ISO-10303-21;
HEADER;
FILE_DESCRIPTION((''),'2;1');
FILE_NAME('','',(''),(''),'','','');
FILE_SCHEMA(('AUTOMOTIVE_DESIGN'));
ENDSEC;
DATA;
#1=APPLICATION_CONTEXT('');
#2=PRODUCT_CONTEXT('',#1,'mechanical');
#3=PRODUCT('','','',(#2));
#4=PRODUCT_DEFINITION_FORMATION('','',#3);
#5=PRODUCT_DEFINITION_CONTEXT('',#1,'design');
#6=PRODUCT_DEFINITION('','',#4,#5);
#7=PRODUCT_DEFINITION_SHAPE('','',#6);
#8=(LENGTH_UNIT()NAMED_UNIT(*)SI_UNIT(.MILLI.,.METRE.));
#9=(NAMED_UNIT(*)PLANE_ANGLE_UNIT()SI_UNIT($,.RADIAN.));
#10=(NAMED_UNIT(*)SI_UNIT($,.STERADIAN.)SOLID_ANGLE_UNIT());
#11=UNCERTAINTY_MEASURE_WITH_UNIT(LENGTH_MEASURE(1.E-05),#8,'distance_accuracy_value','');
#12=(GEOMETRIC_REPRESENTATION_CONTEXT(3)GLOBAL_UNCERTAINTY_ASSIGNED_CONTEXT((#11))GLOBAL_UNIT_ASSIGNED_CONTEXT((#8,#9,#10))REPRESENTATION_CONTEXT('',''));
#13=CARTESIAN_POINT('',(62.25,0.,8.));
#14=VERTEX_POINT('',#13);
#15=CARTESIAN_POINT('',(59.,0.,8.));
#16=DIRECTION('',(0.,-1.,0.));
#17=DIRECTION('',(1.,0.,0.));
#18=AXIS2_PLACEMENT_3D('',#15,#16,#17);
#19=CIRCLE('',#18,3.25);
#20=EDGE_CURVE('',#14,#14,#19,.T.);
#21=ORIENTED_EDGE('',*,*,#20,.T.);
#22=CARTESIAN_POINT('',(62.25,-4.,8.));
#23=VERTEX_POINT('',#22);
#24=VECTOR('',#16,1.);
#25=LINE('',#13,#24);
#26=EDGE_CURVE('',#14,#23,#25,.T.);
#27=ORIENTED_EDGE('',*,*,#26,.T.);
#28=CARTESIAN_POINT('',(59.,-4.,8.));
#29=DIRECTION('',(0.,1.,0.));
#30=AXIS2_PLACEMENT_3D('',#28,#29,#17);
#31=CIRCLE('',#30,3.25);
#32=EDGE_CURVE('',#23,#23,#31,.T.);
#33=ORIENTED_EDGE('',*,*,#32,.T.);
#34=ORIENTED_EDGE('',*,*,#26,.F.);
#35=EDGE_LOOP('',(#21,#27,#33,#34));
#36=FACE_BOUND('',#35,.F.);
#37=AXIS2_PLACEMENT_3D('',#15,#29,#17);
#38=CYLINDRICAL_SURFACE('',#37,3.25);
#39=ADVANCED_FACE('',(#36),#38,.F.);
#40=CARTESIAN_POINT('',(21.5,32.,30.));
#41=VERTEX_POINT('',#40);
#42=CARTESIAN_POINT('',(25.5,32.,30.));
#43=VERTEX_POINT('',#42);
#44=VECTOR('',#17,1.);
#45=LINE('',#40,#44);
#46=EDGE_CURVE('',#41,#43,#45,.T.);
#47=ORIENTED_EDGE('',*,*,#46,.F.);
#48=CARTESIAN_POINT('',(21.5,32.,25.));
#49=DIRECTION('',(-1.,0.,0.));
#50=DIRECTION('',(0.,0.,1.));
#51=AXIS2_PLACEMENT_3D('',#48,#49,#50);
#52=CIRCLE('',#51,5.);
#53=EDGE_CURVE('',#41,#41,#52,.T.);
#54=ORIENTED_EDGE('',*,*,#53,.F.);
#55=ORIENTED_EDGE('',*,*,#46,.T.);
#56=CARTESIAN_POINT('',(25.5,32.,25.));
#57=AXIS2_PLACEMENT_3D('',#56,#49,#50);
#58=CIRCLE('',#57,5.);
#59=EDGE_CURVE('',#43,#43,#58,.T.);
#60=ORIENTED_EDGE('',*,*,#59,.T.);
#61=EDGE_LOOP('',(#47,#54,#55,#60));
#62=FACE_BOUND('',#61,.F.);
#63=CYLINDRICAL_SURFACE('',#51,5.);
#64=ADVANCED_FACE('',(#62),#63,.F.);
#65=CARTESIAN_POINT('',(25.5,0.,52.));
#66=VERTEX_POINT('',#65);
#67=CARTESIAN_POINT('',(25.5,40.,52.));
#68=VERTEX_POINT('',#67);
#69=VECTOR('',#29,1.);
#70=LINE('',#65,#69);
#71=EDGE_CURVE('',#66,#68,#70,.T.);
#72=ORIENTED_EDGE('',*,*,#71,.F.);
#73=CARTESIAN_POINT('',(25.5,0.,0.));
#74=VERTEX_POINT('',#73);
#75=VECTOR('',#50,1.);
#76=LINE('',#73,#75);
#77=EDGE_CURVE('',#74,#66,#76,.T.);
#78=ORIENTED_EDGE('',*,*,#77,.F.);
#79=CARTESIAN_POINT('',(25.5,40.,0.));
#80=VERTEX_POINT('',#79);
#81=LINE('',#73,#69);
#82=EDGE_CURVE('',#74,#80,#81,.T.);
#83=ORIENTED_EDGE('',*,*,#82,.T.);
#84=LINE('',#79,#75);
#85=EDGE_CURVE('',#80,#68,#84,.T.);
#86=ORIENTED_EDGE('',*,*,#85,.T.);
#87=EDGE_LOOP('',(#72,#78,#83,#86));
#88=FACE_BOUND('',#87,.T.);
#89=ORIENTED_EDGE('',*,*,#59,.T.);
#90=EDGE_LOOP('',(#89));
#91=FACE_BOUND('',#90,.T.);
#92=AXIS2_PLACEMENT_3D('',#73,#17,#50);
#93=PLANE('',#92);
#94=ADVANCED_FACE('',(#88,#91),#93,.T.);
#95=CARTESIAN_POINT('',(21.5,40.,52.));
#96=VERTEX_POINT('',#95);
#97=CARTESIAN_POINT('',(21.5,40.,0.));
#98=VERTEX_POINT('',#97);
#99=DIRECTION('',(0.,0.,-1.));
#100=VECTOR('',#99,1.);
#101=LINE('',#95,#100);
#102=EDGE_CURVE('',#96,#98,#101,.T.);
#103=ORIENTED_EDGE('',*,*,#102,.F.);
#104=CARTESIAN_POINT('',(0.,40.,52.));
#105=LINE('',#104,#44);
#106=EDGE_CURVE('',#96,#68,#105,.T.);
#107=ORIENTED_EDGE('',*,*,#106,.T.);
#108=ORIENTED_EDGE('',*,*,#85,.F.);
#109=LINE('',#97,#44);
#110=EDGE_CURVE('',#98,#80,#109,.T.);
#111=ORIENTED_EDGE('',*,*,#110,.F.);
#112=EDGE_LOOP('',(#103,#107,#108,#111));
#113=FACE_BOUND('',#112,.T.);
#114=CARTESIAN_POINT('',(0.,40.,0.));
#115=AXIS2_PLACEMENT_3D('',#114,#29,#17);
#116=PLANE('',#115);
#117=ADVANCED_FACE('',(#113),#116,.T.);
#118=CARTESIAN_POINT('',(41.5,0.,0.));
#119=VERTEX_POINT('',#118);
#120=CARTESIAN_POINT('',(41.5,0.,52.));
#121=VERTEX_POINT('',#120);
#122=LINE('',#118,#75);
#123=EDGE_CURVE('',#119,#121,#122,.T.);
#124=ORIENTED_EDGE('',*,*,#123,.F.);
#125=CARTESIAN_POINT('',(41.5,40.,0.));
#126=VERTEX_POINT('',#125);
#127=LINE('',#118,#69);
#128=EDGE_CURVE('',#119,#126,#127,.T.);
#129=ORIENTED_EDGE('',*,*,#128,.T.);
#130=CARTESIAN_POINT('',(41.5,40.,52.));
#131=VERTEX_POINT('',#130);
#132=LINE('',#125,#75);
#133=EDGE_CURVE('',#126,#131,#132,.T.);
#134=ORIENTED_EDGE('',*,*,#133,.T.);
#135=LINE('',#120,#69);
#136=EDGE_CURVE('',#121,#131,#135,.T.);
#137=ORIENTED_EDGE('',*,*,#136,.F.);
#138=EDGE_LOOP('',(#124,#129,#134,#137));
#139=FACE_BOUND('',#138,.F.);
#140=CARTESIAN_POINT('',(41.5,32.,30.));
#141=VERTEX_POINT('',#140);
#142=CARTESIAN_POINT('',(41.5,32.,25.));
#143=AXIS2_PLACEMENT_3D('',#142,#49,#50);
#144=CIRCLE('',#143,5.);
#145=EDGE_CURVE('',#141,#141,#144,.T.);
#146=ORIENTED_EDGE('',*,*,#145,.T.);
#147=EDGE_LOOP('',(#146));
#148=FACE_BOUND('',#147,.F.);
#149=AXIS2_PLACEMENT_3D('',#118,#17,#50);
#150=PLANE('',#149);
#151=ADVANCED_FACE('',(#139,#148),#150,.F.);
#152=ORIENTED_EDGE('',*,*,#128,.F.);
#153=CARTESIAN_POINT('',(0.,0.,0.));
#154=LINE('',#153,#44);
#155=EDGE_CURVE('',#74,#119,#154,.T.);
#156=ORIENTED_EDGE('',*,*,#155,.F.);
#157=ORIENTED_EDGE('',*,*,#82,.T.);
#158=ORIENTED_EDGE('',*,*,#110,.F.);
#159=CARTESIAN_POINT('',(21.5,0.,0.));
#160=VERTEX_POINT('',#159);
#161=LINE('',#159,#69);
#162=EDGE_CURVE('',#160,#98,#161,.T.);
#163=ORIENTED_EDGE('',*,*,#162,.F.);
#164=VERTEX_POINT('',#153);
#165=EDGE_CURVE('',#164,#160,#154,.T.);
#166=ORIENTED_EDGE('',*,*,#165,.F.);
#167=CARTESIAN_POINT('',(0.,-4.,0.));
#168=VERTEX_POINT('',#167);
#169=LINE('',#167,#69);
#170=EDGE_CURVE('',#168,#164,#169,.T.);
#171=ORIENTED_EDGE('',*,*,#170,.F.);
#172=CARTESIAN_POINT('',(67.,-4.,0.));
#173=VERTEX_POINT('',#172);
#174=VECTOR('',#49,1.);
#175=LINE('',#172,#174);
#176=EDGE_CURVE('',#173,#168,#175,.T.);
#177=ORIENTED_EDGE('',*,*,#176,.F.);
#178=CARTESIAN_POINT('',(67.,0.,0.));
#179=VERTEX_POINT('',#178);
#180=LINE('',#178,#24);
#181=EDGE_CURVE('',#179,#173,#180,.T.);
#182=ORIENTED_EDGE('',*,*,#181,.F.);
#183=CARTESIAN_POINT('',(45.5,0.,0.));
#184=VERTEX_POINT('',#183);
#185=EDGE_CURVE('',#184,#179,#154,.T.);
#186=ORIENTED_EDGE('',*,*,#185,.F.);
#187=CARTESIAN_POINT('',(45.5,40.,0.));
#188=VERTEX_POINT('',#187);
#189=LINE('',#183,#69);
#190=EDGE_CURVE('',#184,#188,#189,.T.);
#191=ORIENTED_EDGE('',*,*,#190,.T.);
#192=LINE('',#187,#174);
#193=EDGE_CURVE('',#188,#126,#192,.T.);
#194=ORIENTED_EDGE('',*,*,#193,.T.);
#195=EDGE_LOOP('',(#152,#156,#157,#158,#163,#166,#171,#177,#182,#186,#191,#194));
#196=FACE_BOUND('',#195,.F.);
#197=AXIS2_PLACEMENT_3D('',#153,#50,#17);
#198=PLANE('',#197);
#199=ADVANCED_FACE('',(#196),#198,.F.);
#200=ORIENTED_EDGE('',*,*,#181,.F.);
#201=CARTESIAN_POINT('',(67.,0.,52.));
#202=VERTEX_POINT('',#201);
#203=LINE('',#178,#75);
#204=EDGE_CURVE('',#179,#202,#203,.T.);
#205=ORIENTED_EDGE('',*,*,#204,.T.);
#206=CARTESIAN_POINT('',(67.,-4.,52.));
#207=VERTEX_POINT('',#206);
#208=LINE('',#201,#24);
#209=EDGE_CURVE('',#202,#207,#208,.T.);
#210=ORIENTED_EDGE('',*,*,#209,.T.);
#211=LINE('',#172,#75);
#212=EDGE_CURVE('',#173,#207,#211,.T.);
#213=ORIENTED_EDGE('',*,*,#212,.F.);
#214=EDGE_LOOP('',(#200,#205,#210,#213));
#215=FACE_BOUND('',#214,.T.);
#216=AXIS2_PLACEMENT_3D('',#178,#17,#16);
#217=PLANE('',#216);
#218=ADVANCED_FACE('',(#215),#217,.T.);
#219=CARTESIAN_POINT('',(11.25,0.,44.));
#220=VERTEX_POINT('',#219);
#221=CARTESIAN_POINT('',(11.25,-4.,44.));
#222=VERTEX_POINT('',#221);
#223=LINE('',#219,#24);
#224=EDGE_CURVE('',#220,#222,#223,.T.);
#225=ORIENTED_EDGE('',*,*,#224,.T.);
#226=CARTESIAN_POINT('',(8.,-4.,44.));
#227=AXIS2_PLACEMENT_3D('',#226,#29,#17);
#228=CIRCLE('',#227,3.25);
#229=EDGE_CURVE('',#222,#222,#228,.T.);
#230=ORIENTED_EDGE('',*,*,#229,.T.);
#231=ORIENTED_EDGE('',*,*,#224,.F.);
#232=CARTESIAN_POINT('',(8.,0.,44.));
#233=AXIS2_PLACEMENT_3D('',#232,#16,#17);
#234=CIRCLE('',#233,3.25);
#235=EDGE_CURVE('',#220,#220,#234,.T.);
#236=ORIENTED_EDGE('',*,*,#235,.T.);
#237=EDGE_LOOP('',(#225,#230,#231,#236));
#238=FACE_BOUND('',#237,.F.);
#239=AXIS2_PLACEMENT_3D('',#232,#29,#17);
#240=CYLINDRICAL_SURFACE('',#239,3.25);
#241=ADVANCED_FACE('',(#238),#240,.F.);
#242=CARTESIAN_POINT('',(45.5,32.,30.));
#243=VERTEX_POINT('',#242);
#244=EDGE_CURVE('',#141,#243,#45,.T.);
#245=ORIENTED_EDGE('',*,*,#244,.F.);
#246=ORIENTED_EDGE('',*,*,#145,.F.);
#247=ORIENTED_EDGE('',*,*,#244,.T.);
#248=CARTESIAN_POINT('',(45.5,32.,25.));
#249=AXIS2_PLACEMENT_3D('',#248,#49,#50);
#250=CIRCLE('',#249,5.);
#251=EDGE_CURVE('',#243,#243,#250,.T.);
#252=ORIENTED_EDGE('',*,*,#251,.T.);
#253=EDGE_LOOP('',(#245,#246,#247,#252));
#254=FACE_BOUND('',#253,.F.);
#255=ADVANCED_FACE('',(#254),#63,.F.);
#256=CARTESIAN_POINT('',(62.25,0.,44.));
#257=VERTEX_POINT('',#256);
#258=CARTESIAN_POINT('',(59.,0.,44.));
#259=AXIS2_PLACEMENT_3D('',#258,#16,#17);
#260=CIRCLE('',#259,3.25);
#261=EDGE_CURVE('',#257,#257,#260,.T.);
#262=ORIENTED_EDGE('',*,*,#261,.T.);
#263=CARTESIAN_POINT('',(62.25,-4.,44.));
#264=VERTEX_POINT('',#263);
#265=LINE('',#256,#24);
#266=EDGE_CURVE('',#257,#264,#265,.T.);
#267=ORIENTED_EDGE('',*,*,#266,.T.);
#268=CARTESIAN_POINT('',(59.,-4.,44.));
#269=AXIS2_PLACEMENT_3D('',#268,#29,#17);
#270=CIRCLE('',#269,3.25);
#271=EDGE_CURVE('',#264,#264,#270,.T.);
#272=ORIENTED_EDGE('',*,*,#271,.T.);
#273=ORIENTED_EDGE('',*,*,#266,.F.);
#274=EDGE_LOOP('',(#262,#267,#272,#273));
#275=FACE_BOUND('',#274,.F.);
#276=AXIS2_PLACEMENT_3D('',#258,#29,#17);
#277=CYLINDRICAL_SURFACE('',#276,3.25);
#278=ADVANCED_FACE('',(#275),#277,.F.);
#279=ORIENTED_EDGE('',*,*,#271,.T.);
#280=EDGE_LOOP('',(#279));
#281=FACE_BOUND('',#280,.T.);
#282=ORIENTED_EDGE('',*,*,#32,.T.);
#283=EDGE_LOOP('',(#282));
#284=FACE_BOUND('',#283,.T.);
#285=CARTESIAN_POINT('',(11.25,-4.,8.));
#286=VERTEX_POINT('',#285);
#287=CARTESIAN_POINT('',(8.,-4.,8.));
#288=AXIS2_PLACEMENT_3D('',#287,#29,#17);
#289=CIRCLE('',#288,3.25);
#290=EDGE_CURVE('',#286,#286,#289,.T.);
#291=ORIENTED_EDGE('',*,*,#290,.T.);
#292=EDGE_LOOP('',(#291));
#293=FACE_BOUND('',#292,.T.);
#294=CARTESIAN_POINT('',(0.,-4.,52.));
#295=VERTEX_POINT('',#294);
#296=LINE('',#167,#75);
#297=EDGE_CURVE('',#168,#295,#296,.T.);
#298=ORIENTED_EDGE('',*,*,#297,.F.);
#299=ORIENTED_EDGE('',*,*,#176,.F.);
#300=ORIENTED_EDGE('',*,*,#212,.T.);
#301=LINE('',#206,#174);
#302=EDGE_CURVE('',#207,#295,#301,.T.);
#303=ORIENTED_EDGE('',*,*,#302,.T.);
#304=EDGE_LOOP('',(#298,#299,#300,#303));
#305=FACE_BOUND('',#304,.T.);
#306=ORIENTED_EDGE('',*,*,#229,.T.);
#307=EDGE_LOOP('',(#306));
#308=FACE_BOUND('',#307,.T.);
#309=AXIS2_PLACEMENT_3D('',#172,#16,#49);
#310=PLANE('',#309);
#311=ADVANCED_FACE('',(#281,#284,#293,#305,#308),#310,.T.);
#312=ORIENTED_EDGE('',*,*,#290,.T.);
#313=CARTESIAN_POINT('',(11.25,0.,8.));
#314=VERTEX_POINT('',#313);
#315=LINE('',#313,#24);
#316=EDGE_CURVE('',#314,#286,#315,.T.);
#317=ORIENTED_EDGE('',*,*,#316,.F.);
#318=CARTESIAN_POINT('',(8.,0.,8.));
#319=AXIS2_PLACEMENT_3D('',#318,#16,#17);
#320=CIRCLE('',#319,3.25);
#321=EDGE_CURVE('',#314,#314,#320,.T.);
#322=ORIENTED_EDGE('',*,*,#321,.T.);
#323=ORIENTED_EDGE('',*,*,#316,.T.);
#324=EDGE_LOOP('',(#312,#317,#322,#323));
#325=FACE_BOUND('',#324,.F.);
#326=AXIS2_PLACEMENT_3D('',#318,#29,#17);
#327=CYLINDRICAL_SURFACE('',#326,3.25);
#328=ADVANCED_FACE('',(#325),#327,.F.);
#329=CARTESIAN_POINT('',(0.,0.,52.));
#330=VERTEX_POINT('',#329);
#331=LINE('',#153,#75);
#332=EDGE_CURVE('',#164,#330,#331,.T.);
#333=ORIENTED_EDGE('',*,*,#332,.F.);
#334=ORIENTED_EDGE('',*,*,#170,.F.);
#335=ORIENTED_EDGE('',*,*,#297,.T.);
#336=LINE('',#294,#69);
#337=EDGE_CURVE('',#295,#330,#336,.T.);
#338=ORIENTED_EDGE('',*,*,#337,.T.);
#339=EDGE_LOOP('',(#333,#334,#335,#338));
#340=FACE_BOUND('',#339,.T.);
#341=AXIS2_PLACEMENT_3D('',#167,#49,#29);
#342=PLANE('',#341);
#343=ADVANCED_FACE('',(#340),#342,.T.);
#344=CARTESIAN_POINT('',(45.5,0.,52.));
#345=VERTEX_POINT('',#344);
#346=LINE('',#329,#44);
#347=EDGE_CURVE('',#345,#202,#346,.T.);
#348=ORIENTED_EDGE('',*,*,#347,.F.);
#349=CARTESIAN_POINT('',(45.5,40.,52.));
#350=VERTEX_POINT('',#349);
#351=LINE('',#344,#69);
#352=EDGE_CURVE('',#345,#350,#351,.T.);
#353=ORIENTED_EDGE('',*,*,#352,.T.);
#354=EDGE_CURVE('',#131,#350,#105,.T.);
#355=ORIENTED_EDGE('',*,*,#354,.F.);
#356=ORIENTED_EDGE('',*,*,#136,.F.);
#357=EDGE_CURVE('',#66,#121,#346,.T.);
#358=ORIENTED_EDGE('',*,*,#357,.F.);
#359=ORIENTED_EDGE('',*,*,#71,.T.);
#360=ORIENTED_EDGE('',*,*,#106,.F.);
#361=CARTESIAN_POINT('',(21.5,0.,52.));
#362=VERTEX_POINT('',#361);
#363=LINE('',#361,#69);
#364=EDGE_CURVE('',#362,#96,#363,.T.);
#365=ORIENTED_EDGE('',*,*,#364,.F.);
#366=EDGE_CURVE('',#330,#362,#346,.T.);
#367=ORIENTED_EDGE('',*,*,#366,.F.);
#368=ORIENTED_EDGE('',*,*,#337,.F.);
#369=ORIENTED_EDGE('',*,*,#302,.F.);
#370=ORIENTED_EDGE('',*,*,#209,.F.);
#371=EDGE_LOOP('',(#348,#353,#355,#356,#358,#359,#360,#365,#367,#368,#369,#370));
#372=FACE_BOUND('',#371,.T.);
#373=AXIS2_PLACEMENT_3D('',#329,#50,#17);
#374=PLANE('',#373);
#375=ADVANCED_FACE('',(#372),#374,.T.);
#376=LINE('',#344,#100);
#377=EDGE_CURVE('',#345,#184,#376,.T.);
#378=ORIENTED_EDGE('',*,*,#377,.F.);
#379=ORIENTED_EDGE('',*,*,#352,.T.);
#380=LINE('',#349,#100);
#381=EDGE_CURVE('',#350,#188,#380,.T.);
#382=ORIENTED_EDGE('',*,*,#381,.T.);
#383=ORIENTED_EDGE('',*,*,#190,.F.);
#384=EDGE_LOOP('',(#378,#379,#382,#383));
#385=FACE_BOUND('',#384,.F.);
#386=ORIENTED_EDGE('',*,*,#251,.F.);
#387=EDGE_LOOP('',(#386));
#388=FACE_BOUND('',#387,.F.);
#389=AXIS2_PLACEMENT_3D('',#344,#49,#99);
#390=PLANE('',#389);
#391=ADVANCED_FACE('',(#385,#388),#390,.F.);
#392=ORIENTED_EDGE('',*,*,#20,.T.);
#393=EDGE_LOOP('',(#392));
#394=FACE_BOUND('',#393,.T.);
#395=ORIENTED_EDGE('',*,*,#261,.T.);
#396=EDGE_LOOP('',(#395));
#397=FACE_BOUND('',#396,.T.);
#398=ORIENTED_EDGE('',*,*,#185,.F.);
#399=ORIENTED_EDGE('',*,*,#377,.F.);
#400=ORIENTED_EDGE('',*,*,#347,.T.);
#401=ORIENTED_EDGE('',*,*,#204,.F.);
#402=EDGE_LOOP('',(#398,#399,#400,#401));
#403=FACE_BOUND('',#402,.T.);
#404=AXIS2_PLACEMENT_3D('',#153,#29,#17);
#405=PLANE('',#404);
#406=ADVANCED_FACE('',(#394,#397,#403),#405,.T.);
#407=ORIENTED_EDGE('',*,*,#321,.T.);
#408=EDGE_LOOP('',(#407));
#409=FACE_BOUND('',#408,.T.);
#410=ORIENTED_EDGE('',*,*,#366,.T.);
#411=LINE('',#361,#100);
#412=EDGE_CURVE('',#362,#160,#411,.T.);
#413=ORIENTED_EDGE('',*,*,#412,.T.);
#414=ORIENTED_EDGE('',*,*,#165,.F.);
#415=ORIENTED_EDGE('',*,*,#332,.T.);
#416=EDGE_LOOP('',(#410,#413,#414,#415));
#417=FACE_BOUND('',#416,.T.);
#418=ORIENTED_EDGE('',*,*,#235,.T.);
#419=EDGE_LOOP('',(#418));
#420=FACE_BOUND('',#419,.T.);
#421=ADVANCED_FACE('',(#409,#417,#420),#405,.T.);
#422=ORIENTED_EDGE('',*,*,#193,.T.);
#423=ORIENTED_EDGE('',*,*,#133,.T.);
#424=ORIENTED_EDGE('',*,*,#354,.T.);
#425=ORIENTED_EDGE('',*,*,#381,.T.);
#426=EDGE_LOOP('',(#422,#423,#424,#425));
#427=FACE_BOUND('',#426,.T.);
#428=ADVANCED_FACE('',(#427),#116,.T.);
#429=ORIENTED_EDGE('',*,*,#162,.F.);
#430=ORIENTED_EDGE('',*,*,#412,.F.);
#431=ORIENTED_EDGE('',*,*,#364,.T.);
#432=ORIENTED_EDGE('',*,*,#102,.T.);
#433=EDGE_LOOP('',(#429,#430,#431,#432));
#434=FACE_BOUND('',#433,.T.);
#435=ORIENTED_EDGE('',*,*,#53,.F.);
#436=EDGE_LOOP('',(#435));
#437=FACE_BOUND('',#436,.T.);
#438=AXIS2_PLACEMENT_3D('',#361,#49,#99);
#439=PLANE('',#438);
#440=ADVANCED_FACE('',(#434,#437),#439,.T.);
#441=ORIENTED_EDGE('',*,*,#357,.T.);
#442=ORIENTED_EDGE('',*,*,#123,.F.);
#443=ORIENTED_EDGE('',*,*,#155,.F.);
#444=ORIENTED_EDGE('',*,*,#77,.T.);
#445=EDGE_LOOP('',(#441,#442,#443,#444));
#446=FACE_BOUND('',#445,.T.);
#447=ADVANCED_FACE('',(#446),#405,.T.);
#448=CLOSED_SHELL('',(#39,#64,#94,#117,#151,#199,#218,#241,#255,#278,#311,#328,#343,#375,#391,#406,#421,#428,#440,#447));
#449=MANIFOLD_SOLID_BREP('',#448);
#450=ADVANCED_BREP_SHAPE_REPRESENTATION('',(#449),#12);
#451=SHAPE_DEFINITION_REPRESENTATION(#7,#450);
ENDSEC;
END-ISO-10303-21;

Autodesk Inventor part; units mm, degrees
ref_plane "YZ Plane" through (0, 0, 0) normal (1, 0, 0) x (0, 1, 0)
ref_plane "XZ Plane" through (0, 0, 0) normal (0, 1, 0) x (-1, 0, 0)
ref_plane "XY Plane" through (0, 0, 0) normal (0, 0, 1) x (1, 0, 0)
sketch "Sketch1" plane through (0, 0, 0) normal (0, 0, 1) x (1, 0, 0)
  line L0 (0, 0) -> (67, 0)
  line L1 (67, 0) -> (67, -4)
  line L2 (67, -4) -> (0, -4)
  line L3 (0, -4) -> (0, 0)
  dimension "d0" = 67
  dimension "d1" = 4
extrude "Extrusion1" add sketch "Sketch1" along normal blind 52
sketch "Sketch2" plane through (0, 0, 0) normal (0, 1, 0) x (1, 0, 0)
  line L0 (8, -44) -> (59, -44)
  line L1 (59, -44) -> (59, -8)
  line L2 (59, -8) -> (8, -8)
  line L3 (8, -8) -> (8, -44)
  line L4 (8, -44) -> (59, -8) construction
  line L5 (59, -44) -> (8, -8) construction
  line L6 (0, 0) -> (0, -52) projected
  line L7 (0, 0) -> (67, 0) projected
  circle A0 centre (8, -8) radius 3.25
  circle A1 centre (59, -8) radius 3.25
  circle A2 centre (8, -44) radius 3.25
  circle A3 centre (59, -44) radius 3.25
  point P0 (33.5, -26)
  dimension "d4" = 51
  dimension "d5" = 36
  dimension "d6" = 8
  dimension "d7" = 8
  dimension "d8" = 6.5
  dimension "d9" = 6.5
  dimension "d10" = 6.5
  dimension "d11" = 6.5
extrude "Extrusion2" cut sketch "Sketch2" against normal blind 4 contours L3 A2 L0 | L0 A2 L3 | A3 L1 L0 | L0 L1 A3 | A0 L2 L3 | L3 L2 A0 | A1 L2 L1 | L1 L2 A1
sketch "Sketch3" plane through (0, 0, 0) normal (0, 1, 0) x (1, 0, 0)
  line L0 (0, -52) -> (67, -52) projected
  line L1 (21.5, 0) -> (25.5, 0)
  line L2 (25.5, 0) -> (25.5, -52)
  line L3 (25.5, -52) -> (21.5, -52)
  line L4 (21.5, -52) -> (21.5, 0)
  line L5 (0, 0) -> (0, -52) projected
  line L6 (45.5, 0) -> (41.5, 0)
  line L7 (41.5, 0) -> (41.5, -52)
  line L8 (41.5, -52) -> (45.5, -52)
  line L9 (45.5, -52) -> (45.5, 0)
  line L10 (67, 0) -> (67, -52) projected
  dimension "d14" = 4
  dimension "d15" = 21.5
  dimension "d16" = 4
  dimension "d17" = 21.5
  dimension "d18" = 52
  dimension "d19" = 52
extrude "Extrusion3" add sketch "Sketch3" along normal blind 40
sketch "Sketch4" plane through (21.5, 0, 0) normal (-1, 0, 0) x (0, 0, 1)
  circle A0 centre (25, 32) radius 5
  line L0 (0, -4) -> (52, -4) projected
  line L1 (52, 0) -> (52, 40) projected
  point P0 (0, 0)
  dimension "d22" = 10
  dimension "d23" = 36
  dimension "d24" = 27
extrude "Extrusion4" cut sketch "Sketch4" against normal blind 40
properties part number "SDB 32" material "Stainless Steel"
